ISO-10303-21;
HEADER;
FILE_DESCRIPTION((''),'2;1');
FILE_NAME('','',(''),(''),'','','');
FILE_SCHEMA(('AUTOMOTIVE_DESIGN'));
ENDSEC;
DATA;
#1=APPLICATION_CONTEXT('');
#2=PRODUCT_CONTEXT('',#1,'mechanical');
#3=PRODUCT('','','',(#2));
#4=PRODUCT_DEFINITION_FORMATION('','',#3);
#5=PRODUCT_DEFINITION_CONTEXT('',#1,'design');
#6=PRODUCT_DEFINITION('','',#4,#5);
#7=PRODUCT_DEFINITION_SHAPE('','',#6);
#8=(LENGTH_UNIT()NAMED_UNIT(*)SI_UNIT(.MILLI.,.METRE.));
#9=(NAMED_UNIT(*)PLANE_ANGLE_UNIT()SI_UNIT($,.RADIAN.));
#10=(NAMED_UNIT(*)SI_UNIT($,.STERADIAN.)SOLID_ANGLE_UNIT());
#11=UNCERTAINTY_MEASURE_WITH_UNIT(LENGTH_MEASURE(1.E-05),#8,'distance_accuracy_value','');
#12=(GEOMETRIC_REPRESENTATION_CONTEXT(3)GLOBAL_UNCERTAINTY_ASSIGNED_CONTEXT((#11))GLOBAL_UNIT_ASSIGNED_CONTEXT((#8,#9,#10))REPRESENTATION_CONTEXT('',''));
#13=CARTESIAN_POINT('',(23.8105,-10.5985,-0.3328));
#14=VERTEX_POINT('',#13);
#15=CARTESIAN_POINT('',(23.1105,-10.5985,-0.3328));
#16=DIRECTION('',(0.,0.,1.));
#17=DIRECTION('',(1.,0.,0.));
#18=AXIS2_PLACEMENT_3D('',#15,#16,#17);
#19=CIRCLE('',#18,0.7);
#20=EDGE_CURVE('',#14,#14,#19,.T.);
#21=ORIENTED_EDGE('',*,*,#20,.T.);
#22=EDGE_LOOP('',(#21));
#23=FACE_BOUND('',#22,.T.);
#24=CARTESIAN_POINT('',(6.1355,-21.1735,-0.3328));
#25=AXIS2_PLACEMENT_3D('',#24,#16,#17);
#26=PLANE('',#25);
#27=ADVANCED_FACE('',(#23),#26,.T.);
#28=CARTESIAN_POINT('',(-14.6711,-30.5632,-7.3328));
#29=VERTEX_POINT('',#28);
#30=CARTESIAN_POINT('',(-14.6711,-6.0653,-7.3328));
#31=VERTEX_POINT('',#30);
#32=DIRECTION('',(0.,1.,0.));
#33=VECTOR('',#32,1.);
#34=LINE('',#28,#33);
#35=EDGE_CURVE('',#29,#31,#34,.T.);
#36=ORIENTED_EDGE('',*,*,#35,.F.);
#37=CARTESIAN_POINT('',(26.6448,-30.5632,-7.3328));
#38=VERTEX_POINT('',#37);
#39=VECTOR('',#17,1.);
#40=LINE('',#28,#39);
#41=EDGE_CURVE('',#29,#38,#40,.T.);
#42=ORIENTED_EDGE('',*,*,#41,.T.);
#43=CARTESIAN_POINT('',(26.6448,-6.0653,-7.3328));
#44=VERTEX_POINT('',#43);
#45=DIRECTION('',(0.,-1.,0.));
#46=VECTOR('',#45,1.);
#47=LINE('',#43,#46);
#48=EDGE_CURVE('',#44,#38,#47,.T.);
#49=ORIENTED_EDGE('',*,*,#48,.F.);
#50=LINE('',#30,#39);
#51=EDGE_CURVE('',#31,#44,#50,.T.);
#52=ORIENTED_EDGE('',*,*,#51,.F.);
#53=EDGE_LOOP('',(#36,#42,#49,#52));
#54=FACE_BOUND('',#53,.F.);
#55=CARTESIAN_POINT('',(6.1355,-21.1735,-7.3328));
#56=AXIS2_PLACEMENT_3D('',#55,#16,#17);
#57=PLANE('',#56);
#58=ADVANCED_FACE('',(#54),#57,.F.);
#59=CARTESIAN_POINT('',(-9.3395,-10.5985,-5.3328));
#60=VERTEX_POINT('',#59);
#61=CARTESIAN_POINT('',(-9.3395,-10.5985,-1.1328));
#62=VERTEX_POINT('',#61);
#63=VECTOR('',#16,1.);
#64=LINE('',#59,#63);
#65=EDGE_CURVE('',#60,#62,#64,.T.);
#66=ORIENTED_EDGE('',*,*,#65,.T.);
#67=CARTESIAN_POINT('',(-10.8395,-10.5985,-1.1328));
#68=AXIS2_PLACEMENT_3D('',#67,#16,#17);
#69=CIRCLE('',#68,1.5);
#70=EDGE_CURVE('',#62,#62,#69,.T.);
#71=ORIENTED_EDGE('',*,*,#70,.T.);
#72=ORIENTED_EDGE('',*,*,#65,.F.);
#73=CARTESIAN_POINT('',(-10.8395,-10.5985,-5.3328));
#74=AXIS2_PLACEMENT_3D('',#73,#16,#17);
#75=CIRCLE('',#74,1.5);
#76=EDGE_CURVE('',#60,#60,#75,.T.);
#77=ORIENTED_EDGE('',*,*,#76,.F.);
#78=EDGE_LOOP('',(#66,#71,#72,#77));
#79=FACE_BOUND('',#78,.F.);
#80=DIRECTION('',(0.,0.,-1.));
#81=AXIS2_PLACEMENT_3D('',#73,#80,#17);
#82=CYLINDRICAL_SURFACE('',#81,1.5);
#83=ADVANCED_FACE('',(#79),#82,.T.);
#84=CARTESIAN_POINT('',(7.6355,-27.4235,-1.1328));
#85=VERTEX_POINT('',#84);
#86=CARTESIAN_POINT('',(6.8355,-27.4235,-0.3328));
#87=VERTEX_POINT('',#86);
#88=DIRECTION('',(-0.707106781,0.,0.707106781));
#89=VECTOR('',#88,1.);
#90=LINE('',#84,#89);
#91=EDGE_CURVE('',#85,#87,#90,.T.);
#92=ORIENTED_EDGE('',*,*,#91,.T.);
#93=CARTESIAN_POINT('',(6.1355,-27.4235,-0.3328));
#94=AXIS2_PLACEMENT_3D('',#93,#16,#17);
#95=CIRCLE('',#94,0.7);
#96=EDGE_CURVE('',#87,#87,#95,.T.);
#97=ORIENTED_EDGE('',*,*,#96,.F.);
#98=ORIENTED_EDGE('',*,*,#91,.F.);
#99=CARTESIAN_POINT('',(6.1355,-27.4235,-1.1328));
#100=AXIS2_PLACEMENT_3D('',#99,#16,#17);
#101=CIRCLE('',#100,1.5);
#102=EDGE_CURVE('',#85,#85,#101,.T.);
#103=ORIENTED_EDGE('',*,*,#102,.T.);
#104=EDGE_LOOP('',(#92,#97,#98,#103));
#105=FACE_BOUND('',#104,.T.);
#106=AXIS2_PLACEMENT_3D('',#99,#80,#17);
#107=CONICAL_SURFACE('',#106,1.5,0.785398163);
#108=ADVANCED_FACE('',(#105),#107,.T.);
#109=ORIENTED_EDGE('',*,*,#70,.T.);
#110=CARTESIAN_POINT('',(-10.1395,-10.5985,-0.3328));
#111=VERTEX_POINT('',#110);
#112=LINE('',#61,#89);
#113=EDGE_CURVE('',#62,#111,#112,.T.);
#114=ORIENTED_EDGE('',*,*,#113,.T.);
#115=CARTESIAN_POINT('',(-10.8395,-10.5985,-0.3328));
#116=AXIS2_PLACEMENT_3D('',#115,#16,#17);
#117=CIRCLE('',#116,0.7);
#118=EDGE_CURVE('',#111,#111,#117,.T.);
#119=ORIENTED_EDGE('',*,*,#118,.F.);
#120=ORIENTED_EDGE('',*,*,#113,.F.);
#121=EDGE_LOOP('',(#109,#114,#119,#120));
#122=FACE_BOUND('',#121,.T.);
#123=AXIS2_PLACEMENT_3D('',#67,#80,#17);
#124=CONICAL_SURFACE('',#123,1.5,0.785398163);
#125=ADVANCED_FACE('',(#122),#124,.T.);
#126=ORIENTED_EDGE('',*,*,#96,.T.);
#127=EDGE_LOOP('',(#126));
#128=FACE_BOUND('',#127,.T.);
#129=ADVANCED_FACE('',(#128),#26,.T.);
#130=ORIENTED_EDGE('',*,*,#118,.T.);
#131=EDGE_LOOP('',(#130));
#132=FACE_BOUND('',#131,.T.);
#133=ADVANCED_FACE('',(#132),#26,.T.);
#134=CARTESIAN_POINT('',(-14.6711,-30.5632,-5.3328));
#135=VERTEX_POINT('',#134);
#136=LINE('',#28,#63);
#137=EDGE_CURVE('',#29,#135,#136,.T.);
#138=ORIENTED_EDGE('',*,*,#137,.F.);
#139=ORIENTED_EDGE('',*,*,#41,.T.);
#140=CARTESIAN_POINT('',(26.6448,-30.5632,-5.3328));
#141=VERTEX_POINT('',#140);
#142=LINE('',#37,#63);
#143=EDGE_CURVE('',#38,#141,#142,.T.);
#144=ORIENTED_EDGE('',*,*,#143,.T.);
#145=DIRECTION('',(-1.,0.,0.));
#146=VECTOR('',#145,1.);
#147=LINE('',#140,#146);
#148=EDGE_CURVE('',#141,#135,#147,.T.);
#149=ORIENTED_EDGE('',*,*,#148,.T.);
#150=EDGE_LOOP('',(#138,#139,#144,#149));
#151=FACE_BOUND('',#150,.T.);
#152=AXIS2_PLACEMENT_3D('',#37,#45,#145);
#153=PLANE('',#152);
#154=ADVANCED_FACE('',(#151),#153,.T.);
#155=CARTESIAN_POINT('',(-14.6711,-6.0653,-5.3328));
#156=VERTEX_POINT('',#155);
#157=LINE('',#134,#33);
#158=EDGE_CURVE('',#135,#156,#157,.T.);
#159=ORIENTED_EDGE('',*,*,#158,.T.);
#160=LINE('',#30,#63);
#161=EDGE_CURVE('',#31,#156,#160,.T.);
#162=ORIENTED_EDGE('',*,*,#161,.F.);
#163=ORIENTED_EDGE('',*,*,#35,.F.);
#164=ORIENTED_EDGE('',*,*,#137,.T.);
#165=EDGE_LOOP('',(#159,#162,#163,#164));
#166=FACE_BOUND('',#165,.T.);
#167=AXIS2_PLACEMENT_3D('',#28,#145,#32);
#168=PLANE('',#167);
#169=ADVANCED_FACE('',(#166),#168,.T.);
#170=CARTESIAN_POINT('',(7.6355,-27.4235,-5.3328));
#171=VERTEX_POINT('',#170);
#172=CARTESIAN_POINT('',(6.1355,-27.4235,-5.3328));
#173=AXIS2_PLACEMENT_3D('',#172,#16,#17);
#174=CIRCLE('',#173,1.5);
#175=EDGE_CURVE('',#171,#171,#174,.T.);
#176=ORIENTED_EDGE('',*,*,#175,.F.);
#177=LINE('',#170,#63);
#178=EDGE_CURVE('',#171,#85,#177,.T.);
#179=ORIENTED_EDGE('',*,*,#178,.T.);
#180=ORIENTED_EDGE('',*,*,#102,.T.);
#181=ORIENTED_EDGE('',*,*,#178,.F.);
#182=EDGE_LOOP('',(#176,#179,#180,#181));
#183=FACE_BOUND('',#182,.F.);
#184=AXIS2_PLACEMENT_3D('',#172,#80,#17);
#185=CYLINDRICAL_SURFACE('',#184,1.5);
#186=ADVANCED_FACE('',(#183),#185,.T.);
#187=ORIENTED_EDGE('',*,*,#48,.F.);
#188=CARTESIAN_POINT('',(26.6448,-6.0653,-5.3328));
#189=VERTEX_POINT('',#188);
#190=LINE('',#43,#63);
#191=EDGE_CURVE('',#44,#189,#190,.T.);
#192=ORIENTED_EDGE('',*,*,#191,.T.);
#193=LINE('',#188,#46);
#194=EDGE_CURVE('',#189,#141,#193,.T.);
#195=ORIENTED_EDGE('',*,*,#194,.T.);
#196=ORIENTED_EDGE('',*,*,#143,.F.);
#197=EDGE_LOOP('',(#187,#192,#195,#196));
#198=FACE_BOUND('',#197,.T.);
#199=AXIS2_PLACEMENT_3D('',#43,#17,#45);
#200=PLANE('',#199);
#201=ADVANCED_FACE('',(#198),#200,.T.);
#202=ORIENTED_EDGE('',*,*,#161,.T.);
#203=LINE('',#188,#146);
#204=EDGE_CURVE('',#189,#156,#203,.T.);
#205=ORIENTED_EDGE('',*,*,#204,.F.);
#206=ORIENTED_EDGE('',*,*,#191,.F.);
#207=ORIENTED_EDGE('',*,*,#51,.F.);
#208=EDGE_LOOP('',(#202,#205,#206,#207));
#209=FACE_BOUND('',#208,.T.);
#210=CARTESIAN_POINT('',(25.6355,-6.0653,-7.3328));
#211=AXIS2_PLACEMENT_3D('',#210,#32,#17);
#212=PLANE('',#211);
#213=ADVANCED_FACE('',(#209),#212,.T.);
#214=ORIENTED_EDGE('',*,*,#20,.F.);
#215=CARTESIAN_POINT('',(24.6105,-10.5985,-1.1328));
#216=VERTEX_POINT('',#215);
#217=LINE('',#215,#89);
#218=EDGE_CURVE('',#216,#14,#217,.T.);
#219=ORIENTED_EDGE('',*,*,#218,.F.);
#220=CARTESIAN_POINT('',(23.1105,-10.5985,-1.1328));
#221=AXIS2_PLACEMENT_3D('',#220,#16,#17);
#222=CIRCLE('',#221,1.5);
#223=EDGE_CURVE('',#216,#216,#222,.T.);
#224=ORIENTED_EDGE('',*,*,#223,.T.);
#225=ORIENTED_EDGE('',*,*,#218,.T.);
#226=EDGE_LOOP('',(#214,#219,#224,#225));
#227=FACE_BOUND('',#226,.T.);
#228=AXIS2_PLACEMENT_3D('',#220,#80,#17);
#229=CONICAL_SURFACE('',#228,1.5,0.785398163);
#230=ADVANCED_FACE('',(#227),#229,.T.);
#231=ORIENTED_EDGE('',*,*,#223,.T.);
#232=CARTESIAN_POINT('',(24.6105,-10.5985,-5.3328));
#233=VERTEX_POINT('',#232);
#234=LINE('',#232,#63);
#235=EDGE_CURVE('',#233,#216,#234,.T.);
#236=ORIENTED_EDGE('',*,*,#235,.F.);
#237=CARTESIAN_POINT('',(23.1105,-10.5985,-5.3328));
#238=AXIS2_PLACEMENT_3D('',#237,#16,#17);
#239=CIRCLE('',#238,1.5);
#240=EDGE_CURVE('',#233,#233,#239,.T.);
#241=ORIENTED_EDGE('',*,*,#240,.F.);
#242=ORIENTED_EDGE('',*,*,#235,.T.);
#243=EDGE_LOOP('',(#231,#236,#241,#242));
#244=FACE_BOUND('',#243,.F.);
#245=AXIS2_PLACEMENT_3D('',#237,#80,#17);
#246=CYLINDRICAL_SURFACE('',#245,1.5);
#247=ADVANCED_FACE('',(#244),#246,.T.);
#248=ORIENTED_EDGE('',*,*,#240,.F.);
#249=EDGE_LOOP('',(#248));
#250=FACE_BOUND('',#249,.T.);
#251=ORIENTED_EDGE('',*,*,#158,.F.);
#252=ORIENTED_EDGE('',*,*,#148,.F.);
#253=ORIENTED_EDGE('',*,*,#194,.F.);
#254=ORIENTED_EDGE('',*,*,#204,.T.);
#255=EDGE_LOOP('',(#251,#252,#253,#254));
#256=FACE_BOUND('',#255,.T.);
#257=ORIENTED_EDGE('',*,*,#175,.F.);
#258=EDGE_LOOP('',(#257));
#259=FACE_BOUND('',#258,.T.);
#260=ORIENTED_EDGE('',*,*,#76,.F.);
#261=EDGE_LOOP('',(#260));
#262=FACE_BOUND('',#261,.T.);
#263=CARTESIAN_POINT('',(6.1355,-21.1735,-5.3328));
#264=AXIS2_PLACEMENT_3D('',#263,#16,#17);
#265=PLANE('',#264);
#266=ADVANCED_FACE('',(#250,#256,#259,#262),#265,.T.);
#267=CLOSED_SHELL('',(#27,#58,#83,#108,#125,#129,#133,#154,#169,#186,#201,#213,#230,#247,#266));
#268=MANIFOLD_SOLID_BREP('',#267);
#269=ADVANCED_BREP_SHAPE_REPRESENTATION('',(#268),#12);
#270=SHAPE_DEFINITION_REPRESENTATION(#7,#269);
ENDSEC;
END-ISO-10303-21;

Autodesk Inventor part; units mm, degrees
ref_plane "YZ Plane" through (0, 0, 0) normal (1, 0, 0) x (0, 1, 0)
ref_plane "XZ Plane" through (0, 0, 0) normal (0, 1, 0) x (-1, 0, 0)
ref_plane "XY Plane" through (0, 0, 0) normal (0, 0, 1) x (1, 0, 0)
ref_plane "Work Plane3" through (6.1355, -21.1735, -7.3328) normal (0, 0, 1) x (1, 0, 0)
sketch "Sketch3" plane through (6.1355, -21.1735, -7.3328) normal (0, 0, 1) x (1, 0, 0)
  line L0 (20.5093, -9.3897) -> (-20.8066, -9.3897)
  line L1 (-20.8066, -9.3897) -> (-20.8066, 15.1082)
  line L2 (-20.8066, 15.1082) -> (20.5093, 15.1082)
  line L3 (20.5093, 15.1082) -> (20.5093, -9.3897)
  line L4 (-12.3, 2) -> (7, 2) projected
  circle A0 centre (16.975, 10.575) radius 1.621 projected
  circle A1 centre (0, -6.25) radius 1.621 projected
  circle A2 centre (-16.975, 10.575) radius 1.621 projected
  line L5 (-19.5, 23) -> (-19.5, -23) projected
  line L6 (-19.5, -23) -> (-13.8, -23) projected
  line L7 (-13.8, -23) -> (-13.8, -17.4) projected
  arc A3 (-10.8, -14.4) -> (-13.8, -17.4) centre (-10.8, -17.4) ccw projected
  line L8 (-10.8, -14.4) -> (10.8, -14.4) projected
  arc A4 (13.8, -17.4) -> (10.8, -14.4) centre (10.8, -17.4) ccw projected
  line L9 (13.8, -17.4) -> (13.8, -23) projected
  line L10 (13.8, -23) -> (19.5, -23) projected
  line L11 (19.5, -23) -> (19.5, 23) projected
  line L12 (19.5, 23) -> (-19.5, 23) projected
  circle A5 centre (-17, -20) radius 1.25 projected
  circle A6 centre (17, -20) radius 1.25 projected
  circle A7 centre (17, 20) radius 1.25 projected
  circle A8 centre (-17, 20) radius 1.25 projected
  circle A9 centre (0, -6.25) radius 1.5
  circle A10 centre (16.975, 10.575) radius 1.5
  circle A11 centre (-16.975, 10.575) radius 1.5
  point P0 (-6.1355, 21.1735)
  dimension "d18" = 3
  dimension "d19" = 3
  dimension "d20" = 3
extrude "Extrusion3" add sketch "Sketch3" along normal blind 2 contours L0 L11 L2 L3 | L0 L5 L2 L11 | L0 L1 L2 L5 | A0 | A1 | A2 | A9 | A10 | A11
sketch "Sketch4" plane through (6.1355, -21.1735, -5.3328) normal (0, 0, 1) x (1, 0, 0)
  circle A0 centre (16.975, 10.575) radius 1.621 projected
  circle A1 centre (0, -6.25) radius 1.621 projected
  circle A2 centre (-16.975, 10.575) radius 1.621 projected
  line L0 (-19.5, 23) -> (-19.5, -23) projected
  line L1 (-19.5, -23) -> (-13.8, -23) projected
  line L2 (-13.8, -23) -> (-13.8, -17.4) projected
  arc A3 (-10.8, -14.4) -> (-13.8, -17.4) centre (-10.8, -17.4) ccw projected
  line L3 (-10.8, -14.4) -> (10.8, -14.4) projected
  arc A4 (13.8, -17.4) -> (10.8, -14.4) centre (10.8, -17.4) ccw projected
  line L4 (13.8, -17.4) -> (13.8, -23) projected
  line L5 (13.8, -23) -> (19.5, -23) projected
  line L6 (19.5, -23) -> (19.5, 23) projected
  line L7 (19.5, 23) -> (-19.5, 23) projected
  circle A5 centre (-17, -20) radius 1.25 projected
  circle A6 centre (17, -20) radius 1.25 projected
  circle A7 centre (17, 20) radius 1.25 projected
  circle A8 centre (-17, 20) radius 1.25 projected
  circle A9 centre (0, -6.25) radius 1.5
  circle A10 centre (-16.975, 10.575) radius 1.5
  circle A11 centre (16.975, 10.575) radius 1.5
  point P0 (-6.1355, 21.1735)
  dimension "d23" = 3
  dimension "d24" = 3
  dimension "d25" = 3
extrude "Extrusion4" add sketch "Sketch4" along normal blind 5 contours A9 | A10 | A11
chamfer "Chamfer2" distance 0.8 angle 45 3 edges at (21.6105, -10.5985, -0.3328) (4.6355, -27.4235, -0.3328) (-12.3395, -10.5985, -0.3328)
properties part number "vesc_holes_check"
